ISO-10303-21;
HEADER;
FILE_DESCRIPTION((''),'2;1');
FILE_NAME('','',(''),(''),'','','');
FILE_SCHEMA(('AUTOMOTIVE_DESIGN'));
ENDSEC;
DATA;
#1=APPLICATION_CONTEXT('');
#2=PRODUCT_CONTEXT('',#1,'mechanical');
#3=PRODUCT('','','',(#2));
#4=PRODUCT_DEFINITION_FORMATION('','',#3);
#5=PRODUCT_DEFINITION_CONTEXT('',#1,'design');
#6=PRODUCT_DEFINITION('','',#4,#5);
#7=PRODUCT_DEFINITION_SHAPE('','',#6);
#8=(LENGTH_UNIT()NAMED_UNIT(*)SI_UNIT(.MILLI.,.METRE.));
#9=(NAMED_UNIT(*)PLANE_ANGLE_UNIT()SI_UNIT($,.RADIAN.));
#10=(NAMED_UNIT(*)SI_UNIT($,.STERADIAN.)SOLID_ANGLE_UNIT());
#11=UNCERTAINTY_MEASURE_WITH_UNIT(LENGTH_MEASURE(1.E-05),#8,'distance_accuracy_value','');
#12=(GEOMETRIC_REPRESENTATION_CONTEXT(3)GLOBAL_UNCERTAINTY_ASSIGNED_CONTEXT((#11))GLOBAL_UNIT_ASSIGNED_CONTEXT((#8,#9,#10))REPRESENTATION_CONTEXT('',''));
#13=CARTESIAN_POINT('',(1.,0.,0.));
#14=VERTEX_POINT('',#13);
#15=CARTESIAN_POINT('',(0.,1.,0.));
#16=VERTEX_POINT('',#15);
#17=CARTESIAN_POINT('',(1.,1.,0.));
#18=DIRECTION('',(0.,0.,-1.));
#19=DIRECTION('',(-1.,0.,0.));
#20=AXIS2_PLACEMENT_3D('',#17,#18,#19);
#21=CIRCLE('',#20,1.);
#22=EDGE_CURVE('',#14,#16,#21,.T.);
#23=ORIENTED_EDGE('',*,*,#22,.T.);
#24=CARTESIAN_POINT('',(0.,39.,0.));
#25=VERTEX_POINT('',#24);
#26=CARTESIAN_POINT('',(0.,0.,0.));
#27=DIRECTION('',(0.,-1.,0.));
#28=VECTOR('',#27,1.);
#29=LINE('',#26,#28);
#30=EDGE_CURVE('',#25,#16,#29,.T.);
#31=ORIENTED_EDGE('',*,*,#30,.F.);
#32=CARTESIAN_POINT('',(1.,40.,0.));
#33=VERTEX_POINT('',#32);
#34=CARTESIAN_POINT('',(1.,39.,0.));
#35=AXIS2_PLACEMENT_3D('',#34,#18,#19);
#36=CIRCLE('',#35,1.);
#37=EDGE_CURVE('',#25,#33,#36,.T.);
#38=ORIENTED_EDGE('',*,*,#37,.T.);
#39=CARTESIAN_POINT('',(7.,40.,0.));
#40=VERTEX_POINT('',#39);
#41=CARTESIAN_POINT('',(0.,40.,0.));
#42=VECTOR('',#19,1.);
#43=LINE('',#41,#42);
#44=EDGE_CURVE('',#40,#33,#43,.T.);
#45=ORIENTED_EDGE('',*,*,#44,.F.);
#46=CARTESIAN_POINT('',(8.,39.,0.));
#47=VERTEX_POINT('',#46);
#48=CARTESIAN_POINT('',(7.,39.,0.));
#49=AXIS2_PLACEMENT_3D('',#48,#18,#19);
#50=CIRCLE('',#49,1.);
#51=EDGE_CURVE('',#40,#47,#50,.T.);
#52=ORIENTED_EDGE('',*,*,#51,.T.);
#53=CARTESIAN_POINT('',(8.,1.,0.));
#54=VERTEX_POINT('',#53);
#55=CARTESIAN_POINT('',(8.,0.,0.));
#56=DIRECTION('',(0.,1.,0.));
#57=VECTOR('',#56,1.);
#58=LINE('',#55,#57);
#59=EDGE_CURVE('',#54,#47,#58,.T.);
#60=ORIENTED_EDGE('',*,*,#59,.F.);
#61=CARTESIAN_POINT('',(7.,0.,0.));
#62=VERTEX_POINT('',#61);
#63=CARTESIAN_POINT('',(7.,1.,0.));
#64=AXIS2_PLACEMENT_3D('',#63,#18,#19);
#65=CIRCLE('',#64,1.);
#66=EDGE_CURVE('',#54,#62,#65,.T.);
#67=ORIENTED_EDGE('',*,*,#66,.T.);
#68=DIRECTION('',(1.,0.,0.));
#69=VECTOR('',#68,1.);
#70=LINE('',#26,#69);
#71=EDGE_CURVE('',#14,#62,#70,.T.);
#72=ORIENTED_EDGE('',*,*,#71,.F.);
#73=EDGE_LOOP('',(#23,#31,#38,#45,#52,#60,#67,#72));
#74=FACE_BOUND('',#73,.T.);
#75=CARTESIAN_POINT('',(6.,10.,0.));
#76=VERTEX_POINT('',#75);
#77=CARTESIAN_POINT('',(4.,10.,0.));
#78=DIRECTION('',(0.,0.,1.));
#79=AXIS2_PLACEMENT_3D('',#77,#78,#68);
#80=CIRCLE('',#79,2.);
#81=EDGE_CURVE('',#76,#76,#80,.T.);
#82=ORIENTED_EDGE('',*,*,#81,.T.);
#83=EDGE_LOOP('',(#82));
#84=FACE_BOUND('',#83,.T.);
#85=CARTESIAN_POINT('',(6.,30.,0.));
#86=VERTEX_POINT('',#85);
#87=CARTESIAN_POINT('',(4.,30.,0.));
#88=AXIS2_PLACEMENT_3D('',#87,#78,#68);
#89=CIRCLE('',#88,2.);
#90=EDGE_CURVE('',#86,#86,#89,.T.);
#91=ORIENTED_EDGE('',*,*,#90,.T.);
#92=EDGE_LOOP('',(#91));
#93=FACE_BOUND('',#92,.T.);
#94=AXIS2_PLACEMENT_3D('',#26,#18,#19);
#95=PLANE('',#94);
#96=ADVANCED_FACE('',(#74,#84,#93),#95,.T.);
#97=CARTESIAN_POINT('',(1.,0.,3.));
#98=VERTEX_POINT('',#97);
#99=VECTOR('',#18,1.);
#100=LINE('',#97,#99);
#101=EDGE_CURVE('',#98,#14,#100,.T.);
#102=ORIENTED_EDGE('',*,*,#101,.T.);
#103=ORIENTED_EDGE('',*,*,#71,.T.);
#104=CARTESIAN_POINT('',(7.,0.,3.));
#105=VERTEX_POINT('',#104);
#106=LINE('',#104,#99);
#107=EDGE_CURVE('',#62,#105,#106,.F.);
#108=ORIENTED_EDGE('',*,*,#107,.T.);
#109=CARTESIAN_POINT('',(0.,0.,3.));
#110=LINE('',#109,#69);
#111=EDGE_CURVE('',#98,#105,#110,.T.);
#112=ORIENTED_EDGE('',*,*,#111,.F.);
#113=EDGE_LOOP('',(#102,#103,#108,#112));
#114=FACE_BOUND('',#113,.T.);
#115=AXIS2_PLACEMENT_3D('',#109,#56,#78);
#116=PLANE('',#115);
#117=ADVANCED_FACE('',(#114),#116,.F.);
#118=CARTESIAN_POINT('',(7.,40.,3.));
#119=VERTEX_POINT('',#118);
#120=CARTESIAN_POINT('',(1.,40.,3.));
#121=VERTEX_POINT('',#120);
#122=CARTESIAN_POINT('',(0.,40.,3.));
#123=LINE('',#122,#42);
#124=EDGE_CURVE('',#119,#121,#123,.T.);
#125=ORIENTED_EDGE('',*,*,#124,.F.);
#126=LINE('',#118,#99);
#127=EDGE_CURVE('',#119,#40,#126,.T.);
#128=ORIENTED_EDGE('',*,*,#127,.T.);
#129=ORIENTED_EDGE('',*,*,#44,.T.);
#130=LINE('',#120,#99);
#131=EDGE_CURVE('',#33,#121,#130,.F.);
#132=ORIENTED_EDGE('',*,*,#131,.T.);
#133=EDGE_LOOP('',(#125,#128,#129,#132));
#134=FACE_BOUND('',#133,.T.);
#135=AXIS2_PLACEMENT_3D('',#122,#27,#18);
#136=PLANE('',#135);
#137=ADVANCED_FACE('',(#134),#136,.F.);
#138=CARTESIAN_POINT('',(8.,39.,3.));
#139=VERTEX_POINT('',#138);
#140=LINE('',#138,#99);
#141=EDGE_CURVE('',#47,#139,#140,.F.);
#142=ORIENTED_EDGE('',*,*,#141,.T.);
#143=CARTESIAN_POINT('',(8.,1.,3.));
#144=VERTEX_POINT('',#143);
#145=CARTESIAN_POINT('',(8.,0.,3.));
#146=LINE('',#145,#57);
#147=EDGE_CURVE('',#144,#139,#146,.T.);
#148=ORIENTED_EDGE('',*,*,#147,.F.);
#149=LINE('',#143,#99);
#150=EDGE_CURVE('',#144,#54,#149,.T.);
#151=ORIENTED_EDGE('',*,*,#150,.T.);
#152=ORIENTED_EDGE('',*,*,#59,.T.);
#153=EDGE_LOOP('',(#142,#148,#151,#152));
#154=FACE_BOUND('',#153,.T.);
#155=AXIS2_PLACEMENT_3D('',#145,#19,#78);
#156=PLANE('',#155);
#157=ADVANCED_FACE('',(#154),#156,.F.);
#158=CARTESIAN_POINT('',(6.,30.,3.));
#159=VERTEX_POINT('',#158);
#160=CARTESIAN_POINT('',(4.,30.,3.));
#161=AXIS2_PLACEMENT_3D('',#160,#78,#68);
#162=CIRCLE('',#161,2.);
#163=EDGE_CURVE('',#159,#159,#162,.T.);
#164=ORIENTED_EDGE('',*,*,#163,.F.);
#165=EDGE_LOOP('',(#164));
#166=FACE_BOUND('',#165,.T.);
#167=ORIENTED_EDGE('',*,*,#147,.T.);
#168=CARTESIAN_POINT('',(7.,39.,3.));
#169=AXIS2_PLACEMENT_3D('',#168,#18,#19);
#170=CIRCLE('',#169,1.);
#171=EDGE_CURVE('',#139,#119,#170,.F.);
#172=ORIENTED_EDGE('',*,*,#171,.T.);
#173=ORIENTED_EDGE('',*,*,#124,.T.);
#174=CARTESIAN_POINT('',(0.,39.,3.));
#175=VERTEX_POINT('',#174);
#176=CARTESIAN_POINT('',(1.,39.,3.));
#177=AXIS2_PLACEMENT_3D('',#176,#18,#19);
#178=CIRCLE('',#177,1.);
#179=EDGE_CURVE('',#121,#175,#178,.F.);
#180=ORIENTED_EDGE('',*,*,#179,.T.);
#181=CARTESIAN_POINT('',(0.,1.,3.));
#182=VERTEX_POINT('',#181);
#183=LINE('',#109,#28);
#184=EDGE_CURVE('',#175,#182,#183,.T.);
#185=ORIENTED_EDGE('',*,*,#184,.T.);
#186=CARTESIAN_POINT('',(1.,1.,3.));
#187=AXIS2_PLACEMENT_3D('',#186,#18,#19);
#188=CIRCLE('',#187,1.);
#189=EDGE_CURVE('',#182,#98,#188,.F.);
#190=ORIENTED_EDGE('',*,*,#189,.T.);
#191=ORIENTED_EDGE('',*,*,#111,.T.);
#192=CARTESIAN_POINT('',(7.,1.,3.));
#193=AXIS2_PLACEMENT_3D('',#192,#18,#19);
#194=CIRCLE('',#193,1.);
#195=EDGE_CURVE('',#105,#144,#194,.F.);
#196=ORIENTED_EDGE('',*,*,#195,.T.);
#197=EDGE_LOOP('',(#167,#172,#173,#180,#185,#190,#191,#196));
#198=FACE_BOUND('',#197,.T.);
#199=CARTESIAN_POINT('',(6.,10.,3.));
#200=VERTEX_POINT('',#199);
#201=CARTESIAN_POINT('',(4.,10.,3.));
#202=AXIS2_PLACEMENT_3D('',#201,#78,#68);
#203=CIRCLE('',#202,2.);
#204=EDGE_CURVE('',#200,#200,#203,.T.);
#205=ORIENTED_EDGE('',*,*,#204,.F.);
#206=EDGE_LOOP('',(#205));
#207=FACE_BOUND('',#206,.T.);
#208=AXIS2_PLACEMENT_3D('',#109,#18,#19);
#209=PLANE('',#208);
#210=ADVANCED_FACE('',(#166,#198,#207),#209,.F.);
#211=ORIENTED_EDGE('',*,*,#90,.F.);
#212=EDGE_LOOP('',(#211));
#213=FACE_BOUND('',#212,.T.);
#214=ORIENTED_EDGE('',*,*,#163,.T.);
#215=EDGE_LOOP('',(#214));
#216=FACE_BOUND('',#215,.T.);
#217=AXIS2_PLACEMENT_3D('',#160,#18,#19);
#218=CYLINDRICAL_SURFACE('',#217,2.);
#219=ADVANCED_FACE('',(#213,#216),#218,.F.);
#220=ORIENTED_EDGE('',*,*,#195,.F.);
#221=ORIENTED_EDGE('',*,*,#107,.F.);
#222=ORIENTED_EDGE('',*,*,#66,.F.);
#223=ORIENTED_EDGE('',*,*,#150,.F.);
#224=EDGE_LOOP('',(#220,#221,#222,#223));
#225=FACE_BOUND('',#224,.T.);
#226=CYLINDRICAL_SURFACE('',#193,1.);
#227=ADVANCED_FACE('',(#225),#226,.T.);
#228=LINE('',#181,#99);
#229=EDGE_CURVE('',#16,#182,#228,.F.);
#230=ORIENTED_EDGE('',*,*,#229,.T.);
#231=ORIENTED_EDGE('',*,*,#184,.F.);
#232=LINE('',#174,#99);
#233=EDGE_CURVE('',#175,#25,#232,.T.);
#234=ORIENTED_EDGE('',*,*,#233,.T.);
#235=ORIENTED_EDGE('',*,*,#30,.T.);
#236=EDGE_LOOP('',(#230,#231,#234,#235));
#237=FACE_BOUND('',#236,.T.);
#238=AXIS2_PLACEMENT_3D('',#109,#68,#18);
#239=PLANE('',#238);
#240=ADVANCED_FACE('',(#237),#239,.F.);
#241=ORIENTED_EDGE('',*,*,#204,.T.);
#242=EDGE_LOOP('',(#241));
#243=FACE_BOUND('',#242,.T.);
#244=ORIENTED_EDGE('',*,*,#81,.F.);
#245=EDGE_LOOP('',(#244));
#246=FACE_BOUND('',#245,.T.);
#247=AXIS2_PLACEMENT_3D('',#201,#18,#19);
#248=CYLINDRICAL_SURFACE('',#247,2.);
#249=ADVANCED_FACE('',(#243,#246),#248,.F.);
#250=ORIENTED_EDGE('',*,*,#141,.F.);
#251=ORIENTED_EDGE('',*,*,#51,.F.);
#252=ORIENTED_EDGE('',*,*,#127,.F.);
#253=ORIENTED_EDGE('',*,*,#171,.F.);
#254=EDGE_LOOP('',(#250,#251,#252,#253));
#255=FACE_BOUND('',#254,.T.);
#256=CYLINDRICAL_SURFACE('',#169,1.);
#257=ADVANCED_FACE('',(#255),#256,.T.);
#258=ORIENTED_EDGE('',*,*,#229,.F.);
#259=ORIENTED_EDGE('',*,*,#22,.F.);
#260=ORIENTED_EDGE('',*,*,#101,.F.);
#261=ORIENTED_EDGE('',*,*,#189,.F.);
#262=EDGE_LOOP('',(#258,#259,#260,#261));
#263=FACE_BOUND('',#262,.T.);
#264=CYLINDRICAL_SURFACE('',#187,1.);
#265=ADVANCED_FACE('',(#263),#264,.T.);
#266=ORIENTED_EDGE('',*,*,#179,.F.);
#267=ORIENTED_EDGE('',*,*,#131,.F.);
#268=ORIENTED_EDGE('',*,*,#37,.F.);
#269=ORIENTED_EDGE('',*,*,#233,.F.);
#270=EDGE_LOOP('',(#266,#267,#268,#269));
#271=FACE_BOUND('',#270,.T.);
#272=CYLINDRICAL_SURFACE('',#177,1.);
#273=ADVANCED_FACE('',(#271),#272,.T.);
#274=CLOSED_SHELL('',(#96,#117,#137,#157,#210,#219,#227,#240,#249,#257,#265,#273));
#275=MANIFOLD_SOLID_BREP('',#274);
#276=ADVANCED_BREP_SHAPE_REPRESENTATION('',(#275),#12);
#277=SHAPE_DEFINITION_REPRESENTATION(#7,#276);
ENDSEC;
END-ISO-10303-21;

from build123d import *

# Parameters (mm, degrees)
SKETCH1_W           = 8
SKETCH1_H           = 40
SKETCH1_R           = 2
BOSS_EXTRUDE1_DEPTH = 3
FILLET1_R           = 1


with BuildPart() as part:
    # Sketch1 → Boss-Extrude1 (new body)
    with BuildSketch(Plane.XY):
        with Locations((4, 20)):
            Rectangle(SKETCH1_W, SKETCH1_H)
        with Locations((4, 10)):
            Circle(SKETCH1_R, mode=Mode.SUBTRACT)
        with Locations((4, 30)):
            Circle(SKETCH1_R, mode=Mode.SUBTRACT)
    extrude(amount=BOSS_EXTRUDE1_DEPTH)

    # Fillet1
    fillet1_edges = [part.edges().sort_by_distance(p)[0] for p in [
        (0, 40, 1.5),
        (8, 40, 1.5),
        (8, 0, 1.5),
        (0, 0, 1.5),
    ]]
    fillet(fillet1_edges, radius=FILLET1_R)


solid = part.part
